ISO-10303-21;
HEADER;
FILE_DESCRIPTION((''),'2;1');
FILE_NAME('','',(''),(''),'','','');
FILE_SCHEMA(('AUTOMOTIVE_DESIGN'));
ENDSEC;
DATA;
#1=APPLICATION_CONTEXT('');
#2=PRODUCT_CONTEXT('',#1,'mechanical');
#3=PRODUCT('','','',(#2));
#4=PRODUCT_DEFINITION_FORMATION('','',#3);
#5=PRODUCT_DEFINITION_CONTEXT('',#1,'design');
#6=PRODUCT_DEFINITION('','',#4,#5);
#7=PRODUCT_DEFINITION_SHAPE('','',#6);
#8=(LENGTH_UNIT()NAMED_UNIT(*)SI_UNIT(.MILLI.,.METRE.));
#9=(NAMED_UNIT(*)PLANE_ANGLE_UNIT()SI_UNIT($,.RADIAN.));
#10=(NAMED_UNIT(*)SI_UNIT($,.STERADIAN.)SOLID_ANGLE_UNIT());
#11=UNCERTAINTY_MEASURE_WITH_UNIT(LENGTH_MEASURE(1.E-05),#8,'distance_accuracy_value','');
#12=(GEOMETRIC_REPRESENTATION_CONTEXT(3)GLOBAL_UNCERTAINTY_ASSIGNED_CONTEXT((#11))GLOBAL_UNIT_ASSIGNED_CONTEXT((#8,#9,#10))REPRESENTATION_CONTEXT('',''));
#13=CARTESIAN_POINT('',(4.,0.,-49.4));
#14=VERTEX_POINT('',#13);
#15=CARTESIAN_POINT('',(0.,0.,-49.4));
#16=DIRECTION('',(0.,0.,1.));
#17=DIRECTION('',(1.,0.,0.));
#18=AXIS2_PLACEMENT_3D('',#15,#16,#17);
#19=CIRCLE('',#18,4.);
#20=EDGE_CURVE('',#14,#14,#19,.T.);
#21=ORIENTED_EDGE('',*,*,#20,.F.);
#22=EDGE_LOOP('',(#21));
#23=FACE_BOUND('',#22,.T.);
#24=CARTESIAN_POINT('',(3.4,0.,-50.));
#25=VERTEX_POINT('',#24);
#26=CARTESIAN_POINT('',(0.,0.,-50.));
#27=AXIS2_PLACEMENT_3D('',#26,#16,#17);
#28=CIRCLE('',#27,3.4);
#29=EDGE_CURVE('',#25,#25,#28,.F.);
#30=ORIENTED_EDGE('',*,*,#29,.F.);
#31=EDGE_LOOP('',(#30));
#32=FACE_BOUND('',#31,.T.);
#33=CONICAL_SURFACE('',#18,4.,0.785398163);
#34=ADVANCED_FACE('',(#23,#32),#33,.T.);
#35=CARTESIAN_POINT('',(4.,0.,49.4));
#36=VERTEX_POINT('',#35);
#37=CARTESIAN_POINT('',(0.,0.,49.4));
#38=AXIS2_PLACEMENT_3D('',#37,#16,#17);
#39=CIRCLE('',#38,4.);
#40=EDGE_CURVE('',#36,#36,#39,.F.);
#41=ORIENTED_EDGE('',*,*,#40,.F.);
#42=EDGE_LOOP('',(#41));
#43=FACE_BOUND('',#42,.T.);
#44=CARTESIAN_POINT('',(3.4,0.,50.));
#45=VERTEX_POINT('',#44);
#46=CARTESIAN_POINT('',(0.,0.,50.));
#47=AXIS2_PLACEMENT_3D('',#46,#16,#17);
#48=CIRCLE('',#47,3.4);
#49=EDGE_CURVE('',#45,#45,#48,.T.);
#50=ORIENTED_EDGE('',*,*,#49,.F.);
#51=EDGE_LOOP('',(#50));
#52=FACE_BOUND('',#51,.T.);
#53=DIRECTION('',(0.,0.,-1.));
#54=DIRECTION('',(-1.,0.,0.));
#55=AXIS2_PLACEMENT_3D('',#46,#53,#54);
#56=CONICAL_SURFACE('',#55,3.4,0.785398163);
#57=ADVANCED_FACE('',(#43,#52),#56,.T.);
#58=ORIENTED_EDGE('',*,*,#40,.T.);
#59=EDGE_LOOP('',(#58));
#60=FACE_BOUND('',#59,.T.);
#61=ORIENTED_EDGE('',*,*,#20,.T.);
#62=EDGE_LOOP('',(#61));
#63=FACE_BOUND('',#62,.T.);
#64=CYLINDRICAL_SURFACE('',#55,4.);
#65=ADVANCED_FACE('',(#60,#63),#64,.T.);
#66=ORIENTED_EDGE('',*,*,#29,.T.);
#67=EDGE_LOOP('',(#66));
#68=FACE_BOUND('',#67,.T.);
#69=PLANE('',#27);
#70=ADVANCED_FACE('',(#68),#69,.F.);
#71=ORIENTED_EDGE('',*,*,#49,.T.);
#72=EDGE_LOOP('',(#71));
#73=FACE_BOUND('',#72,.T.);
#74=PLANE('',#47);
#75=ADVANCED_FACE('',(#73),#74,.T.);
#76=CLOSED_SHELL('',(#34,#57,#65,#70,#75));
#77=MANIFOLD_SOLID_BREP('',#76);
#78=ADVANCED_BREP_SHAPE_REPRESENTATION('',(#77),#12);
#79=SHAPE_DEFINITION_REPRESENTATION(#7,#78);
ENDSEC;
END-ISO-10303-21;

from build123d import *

# Parameters (mm, degrees)
BOSS_EXTRUDE1_DEPTH      = 50
BOSS_EXTRUDE1_DEPTH_BACK = 50
SKETCH3_R                = 4
CHAMFER1_SIZE            = 0.6


with BuildPart() as part:
    # Sketch3 → Boss-Extrude1 (new, two sides: drawn at the far end of the back side and taken through both)
    with BuildSketch(Plane.XY.offset(-BOSS_EXTRUDE1_DEPTH_BACK)):
        Circle(SKETCH3_R)
    extrude(amount=BOSS_EXTRUDE1_DEPTH + BOSS_EXTRUDE1_DEPTH_BACK)

    # Chamfer1
    chamfer1_edges = [part.edges().sort_by_distance(p)[0] for p in [
        (-4, 0, -50),
        (-4, 0, 50),
    ]]
    chamfer(chamfer1_edges, length=CHAMFER1_SIZE)


solid = part.part
